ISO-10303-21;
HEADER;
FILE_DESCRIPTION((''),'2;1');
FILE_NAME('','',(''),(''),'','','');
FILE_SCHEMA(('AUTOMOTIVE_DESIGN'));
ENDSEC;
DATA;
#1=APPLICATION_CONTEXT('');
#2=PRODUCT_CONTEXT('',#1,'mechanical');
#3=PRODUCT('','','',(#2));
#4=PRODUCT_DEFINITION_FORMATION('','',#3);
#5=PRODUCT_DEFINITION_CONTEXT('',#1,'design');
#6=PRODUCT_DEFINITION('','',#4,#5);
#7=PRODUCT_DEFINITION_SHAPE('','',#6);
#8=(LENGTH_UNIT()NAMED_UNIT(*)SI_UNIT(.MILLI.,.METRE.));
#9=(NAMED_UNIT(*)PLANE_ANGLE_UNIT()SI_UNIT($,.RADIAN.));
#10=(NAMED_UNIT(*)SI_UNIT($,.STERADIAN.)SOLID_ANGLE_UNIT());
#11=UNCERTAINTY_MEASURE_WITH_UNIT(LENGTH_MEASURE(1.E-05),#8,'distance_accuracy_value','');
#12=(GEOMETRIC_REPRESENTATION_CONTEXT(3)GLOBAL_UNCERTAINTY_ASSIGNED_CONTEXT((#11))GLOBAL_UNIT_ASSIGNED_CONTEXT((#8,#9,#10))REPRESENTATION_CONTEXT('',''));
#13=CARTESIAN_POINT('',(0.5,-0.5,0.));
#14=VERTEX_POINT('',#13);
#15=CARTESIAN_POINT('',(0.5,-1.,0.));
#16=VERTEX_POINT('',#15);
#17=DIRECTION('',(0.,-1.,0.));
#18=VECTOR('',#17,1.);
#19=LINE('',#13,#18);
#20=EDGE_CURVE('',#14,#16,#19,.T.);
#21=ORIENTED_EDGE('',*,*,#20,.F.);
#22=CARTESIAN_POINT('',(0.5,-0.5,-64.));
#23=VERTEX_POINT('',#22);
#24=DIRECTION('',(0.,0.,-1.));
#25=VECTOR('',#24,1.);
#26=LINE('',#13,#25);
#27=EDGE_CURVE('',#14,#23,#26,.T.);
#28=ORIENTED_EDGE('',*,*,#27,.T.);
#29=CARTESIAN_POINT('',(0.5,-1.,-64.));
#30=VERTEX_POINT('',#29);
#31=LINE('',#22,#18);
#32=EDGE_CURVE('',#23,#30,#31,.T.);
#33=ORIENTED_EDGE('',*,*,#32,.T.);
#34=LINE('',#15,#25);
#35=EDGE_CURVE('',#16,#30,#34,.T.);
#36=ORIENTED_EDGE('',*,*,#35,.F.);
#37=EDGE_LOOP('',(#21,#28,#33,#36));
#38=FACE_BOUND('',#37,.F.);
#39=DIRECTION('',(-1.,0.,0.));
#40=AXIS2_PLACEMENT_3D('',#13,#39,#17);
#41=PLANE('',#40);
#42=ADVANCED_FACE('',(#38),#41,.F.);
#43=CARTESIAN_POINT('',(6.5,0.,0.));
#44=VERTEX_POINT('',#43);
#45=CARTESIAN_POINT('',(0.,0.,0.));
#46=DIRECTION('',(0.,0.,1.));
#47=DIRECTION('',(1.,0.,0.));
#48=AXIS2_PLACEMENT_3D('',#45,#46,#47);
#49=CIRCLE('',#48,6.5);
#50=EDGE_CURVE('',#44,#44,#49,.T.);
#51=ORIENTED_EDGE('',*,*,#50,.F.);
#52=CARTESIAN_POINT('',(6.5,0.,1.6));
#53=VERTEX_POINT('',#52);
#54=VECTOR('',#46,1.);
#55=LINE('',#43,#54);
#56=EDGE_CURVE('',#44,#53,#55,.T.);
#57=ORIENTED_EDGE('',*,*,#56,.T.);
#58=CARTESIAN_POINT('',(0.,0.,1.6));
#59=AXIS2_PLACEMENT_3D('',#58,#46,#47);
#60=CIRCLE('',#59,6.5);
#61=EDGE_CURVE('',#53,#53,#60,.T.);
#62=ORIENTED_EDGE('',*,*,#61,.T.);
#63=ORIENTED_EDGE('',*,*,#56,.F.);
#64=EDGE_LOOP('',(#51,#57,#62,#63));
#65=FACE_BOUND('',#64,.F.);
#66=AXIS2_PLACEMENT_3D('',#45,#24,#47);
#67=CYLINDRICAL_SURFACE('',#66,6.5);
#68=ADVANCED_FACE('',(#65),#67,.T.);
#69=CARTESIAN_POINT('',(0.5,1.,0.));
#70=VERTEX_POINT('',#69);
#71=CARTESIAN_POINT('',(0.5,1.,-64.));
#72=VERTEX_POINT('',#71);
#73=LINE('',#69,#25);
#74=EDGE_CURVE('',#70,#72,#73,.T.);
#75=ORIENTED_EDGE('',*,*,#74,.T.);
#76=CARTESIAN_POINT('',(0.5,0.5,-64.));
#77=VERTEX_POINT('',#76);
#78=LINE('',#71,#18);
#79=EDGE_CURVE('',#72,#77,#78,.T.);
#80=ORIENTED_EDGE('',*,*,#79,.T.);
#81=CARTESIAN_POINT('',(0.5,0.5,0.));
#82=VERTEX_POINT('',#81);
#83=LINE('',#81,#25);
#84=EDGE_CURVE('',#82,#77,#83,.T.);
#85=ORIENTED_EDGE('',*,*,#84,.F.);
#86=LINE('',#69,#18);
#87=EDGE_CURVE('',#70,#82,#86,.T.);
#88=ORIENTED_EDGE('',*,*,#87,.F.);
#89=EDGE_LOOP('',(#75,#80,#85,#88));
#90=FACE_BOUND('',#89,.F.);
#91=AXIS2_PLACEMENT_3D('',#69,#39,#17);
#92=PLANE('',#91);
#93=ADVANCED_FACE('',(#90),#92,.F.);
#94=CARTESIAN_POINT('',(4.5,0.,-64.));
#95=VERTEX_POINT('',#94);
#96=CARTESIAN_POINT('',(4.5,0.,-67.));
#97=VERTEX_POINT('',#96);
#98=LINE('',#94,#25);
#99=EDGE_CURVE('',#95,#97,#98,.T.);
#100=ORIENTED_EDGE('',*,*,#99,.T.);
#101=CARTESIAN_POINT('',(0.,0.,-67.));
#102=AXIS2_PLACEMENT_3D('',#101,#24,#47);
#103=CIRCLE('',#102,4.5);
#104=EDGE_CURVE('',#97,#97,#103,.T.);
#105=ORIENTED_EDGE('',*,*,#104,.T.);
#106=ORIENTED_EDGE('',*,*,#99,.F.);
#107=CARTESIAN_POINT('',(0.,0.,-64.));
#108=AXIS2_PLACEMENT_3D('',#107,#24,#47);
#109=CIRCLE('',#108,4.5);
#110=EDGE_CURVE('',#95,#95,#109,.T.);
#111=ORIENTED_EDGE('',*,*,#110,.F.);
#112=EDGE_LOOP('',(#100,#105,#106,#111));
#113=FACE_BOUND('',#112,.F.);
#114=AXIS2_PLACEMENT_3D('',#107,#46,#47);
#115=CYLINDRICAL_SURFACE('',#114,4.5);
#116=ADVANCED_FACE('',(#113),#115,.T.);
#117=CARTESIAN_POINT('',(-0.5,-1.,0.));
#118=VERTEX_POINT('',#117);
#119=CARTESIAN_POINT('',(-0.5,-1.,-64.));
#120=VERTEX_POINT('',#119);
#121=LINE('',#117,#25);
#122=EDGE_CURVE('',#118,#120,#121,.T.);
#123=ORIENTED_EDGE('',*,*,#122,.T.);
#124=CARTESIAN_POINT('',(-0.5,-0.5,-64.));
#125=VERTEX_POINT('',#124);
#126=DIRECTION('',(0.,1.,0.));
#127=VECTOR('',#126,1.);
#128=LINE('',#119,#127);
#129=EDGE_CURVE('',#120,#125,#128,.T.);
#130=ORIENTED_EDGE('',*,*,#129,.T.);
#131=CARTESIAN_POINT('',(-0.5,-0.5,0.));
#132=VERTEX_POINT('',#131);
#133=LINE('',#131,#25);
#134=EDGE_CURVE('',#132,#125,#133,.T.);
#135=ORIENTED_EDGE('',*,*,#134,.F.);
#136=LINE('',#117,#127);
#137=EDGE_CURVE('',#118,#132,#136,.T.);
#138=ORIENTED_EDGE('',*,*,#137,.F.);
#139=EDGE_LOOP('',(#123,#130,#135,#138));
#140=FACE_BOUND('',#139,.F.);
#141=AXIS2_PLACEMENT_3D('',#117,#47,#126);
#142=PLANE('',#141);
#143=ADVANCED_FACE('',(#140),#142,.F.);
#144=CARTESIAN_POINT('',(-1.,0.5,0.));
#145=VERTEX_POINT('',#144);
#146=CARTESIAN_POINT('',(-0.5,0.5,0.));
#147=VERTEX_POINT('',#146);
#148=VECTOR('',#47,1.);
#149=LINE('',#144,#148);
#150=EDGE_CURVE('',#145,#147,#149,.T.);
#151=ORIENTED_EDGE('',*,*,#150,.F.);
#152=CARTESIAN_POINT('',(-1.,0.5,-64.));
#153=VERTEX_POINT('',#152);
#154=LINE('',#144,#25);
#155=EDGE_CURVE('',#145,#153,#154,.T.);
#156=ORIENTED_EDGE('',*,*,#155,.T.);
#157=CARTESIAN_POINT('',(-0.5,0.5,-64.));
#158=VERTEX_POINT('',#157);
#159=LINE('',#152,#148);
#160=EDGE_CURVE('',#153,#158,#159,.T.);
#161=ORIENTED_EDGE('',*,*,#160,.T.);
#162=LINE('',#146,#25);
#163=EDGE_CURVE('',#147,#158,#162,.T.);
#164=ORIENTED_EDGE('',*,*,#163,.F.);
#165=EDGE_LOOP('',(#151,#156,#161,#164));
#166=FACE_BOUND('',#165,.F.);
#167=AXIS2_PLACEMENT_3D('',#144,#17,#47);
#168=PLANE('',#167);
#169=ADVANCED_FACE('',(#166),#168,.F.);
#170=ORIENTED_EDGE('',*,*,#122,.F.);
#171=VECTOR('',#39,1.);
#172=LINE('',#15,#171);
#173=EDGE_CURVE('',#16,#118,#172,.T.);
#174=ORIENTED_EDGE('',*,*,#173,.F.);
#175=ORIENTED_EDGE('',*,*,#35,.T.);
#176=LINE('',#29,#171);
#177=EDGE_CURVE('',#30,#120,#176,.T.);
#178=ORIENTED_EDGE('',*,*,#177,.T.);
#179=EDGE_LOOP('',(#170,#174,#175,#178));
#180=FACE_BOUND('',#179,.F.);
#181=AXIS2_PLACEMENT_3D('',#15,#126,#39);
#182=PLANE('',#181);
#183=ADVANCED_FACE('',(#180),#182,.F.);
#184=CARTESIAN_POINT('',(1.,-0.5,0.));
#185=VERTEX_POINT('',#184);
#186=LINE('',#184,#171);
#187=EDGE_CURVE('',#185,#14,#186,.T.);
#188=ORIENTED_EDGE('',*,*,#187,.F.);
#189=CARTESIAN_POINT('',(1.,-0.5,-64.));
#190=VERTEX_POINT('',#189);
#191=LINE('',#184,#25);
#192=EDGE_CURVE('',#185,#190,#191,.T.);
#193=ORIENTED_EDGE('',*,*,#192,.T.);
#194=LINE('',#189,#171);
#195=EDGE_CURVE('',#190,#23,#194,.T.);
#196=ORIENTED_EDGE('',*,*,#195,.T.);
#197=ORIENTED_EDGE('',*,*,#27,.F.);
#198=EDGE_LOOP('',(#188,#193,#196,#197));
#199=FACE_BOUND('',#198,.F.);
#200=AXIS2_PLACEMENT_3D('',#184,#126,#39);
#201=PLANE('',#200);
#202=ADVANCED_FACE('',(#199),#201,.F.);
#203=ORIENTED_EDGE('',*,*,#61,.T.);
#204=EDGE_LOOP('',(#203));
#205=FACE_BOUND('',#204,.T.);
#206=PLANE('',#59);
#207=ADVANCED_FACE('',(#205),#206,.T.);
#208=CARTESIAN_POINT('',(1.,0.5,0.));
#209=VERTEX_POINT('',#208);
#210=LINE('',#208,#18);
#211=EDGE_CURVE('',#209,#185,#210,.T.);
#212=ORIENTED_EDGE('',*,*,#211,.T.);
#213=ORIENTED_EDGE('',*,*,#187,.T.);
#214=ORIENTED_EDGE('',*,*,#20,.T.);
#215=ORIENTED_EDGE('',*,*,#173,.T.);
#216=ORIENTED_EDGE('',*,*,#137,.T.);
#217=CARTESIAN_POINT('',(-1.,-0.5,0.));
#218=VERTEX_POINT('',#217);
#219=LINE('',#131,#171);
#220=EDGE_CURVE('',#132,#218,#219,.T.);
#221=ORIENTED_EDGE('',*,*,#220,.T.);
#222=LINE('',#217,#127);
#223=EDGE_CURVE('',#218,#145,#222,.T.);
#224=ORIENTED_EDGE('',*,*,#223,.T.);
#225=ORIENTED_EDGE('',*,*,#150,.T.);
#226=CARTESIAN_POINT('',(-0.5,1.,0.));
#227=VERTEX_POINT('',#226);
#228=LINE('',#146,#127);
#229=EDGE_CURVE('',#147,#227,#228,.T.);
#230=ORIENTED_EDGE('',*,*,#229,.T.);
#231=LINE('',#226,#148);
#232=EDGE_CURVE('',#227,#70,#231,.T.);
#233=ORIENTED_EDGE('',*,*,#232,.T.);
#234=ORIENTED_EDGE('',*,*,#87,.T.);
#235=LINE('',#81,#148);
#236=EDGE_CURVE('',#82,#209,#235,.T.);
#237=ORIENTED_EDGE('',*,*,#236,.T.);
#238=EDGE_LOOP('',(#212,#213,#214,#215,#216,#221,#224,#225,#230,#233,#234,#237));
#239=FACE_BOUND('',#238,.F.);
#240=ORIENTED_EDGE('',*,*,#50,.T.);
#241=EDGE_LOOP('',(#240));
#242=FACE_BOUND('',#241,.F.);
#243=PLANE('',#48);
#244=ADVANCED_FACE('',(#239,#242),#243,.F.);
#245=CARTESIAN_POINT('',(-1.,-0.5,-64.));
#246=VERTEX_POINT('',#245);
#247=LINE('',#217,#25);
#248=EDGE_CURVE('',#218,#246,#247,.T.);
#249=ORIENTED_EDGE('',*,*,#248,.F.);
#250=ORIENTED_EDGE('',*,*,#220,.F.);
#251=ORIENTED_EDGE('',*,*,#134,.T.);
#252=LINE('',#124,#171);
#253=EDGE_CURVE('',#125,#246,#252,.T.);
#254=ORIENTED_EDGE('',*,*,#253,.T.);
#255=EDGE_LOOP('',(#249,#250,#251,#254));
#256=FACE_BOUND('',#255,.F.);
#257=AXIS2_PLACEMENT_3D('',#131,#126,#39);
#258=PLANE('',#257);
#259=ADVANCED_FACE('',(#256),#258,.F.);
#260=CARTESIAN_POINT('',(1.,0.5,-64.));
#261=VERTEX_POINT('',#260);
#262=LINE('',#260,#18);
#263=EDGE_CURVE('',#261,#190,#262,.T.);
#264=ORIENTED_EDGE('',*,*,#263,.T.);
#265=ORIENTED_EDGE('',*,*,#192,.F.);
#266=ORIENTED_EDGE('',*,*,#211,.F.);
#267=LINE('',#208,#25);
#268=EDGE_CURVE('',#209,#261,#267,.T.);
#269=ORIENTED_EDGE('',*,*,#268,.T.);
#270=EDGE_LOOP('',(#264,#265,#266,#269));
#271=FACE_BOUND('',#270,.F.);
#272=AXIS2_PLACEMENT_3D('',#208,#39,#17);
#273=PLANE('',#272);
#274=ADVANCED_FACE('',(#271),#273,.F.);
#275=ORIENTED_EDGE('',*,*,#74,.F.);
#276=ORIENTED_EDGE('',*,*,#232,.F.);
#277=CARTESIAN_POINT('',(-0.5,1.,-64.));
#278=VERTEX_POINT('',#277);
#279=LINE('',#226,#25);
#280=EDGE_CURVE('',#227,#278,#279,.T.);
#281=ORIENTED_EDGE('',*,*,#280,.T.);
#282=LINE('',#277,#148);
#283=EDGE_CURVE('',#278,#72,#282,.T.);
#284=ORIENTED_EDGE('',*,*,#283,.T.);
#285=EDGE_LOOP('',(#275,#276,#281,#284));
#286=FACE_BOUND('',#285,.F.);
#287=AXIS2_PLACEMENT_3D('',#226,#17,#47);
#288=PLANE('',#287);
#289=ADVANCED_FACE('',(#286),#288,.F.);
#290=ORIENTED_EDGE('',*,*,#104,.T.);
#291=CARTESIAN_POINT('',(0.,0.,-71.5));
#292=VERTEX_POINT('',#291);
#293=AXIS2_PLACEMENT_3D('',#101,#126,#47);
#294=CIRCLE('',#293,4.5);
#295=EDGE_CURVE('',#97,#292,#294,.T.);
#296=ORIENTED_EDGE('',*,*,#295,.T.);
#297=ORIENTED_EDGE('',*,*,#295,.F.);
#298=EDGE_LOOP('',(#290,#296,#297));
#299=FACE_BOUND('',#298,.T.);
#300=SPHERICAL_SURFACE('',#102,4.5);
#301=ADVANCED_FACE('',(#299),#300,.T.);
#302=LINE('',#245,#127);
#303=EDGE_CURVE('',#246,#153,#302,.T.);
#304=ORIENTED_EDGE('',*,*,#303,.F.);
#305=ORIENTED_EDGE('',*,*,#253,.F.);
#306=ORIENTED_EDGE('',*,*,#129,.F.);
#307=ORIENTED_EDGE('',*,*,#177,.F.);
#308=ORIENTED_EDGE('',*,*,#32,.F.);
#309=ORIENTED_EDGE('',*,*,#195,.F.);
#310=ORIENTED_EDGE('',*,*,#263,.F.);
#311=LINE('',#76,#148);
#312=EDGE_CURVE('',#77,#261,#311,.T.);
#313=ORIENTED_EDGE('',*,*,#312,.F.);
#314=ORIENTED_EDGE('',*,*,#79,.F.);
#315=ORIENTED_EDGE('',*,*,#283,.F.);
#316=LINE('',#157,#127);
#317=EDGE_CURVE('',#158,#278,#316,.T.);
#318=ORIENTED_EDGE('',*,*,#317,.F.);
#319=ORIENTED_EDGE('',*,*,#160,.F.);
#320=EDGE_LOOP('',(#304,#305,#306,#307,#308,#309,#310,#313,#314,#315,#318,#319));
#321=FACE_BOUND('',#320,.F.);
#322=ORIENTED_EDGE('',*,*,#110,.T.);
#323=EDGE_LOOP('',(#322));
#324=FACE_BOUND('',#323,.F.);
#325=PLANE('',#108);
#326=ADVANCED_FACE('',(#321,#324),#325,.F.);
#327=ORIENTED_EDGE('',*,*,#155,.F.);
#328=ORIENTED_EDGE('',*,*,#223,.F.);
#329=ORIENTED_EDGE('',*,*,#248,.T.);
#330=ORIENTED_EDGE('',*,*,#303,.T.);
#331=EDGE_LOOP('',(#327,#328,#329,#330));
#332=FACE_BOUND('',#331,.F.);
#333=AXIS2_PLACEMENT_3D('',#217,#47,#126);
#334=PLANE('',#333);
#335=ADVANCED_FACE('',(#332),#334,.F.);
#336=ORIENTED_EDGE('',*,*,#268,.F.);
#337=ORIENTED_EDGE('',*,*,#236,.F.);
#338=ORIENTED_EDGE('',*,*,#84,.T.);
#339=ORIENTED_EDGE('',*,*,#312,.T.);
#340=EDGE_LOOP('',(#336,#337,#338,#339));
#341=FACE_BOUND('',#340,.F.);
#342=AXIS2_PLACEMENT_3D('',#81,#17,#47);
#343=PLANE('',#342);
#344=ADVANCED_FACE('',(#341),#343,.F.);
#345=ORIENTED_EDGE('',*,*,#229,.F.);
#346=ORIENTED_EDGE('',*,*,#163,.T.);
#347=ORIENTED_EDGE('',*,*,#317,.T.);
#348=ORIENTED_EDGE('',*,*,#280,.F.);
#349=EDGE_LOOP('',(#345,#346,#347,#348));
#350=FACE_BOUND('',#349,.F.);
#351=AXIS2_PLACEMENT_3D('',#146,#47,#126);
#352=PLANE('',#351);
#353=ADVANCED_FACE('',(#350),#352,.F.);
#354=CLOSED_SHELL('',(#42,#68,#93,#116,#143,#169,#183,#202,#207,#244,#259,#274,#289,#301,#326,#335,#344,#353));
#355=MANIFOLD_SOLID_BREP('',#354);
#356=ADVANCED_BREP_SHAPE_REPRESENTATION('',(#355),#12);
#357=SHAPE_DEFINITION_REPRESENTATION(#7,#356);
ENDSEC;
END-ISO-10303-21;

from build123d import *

# Parameters (mm, degrees)
F0_R     = 6.5
F1_DEPTH = 1.6
F3_DEPTH = 64
F4_R     = 4.5
F5_DEPTH = 7.5
F6_R     = 4.5


with BuildPart() as f1:
    # F0 (on Top) → F1 (new body)
    with BuildSketch(Plane.XY):
        Circle(F0_R)
    extrude(amount=F1_DEPTH)

    # F2 (on face) → F3 (join)
    with BuildSketch(Plane(origin=(0, 0, 0), x_dir=(1, 0, 0), z_dir=(0, 0, -1))):
        Polygon((0.5, 1), (0, 1), (-0.5, 1), (-0.5, 0.5), (-1, 0.5), (-1, 0), (-1, -0.5), (-0.5, -0.5), (-0.5, -1), (0, -1), (0.5, -1), (0.5, -0.5), (1, -0.5), (1, 0), (1, 0.5), (0.5, 0.5), align=None)
    extrude(amount=F3_DEPTH)

    # F4 (on face) → F5 (join)
    with BuildSketch(Plane(origin=(0, 0, -64), x_dir=(1, 0, 0), z_dir=(0, 0, -1))):
        Circle(F4_R)
        Polygon((-0.5, 1), (0.5, 1), (0.5, 0.5), (1, 0.5), (1, -0.5), (0.5, -0.5), (0.5, -1), (-0.5, -1), (-0.5, -0.5), (-1, -0.5), (-1, 0.5), (-0.5, 0.5), align=None, mode=Mode.SUBTRACT)
        Polygon((0.5, 0.5), (0.5, 1), (-0.5, 1), (-0.5, 0.5), (-1, 0.5), (-1, -0.5), (-0.5, -0.5), (-0.5, -1), (0.5, -1), (0.5, -0.5), (1, -0.5), (1, 0.5), align=None)
    extrude(amount=F5_DEPTH)

    # F6
    f6_edges = [f1.edges().sort_by_distance(p)[0] for p in [
        (-4.5, 0, -71.5),
    ]]
    fillet(f6_edges, radius=F6_R)


solid = f1.part
